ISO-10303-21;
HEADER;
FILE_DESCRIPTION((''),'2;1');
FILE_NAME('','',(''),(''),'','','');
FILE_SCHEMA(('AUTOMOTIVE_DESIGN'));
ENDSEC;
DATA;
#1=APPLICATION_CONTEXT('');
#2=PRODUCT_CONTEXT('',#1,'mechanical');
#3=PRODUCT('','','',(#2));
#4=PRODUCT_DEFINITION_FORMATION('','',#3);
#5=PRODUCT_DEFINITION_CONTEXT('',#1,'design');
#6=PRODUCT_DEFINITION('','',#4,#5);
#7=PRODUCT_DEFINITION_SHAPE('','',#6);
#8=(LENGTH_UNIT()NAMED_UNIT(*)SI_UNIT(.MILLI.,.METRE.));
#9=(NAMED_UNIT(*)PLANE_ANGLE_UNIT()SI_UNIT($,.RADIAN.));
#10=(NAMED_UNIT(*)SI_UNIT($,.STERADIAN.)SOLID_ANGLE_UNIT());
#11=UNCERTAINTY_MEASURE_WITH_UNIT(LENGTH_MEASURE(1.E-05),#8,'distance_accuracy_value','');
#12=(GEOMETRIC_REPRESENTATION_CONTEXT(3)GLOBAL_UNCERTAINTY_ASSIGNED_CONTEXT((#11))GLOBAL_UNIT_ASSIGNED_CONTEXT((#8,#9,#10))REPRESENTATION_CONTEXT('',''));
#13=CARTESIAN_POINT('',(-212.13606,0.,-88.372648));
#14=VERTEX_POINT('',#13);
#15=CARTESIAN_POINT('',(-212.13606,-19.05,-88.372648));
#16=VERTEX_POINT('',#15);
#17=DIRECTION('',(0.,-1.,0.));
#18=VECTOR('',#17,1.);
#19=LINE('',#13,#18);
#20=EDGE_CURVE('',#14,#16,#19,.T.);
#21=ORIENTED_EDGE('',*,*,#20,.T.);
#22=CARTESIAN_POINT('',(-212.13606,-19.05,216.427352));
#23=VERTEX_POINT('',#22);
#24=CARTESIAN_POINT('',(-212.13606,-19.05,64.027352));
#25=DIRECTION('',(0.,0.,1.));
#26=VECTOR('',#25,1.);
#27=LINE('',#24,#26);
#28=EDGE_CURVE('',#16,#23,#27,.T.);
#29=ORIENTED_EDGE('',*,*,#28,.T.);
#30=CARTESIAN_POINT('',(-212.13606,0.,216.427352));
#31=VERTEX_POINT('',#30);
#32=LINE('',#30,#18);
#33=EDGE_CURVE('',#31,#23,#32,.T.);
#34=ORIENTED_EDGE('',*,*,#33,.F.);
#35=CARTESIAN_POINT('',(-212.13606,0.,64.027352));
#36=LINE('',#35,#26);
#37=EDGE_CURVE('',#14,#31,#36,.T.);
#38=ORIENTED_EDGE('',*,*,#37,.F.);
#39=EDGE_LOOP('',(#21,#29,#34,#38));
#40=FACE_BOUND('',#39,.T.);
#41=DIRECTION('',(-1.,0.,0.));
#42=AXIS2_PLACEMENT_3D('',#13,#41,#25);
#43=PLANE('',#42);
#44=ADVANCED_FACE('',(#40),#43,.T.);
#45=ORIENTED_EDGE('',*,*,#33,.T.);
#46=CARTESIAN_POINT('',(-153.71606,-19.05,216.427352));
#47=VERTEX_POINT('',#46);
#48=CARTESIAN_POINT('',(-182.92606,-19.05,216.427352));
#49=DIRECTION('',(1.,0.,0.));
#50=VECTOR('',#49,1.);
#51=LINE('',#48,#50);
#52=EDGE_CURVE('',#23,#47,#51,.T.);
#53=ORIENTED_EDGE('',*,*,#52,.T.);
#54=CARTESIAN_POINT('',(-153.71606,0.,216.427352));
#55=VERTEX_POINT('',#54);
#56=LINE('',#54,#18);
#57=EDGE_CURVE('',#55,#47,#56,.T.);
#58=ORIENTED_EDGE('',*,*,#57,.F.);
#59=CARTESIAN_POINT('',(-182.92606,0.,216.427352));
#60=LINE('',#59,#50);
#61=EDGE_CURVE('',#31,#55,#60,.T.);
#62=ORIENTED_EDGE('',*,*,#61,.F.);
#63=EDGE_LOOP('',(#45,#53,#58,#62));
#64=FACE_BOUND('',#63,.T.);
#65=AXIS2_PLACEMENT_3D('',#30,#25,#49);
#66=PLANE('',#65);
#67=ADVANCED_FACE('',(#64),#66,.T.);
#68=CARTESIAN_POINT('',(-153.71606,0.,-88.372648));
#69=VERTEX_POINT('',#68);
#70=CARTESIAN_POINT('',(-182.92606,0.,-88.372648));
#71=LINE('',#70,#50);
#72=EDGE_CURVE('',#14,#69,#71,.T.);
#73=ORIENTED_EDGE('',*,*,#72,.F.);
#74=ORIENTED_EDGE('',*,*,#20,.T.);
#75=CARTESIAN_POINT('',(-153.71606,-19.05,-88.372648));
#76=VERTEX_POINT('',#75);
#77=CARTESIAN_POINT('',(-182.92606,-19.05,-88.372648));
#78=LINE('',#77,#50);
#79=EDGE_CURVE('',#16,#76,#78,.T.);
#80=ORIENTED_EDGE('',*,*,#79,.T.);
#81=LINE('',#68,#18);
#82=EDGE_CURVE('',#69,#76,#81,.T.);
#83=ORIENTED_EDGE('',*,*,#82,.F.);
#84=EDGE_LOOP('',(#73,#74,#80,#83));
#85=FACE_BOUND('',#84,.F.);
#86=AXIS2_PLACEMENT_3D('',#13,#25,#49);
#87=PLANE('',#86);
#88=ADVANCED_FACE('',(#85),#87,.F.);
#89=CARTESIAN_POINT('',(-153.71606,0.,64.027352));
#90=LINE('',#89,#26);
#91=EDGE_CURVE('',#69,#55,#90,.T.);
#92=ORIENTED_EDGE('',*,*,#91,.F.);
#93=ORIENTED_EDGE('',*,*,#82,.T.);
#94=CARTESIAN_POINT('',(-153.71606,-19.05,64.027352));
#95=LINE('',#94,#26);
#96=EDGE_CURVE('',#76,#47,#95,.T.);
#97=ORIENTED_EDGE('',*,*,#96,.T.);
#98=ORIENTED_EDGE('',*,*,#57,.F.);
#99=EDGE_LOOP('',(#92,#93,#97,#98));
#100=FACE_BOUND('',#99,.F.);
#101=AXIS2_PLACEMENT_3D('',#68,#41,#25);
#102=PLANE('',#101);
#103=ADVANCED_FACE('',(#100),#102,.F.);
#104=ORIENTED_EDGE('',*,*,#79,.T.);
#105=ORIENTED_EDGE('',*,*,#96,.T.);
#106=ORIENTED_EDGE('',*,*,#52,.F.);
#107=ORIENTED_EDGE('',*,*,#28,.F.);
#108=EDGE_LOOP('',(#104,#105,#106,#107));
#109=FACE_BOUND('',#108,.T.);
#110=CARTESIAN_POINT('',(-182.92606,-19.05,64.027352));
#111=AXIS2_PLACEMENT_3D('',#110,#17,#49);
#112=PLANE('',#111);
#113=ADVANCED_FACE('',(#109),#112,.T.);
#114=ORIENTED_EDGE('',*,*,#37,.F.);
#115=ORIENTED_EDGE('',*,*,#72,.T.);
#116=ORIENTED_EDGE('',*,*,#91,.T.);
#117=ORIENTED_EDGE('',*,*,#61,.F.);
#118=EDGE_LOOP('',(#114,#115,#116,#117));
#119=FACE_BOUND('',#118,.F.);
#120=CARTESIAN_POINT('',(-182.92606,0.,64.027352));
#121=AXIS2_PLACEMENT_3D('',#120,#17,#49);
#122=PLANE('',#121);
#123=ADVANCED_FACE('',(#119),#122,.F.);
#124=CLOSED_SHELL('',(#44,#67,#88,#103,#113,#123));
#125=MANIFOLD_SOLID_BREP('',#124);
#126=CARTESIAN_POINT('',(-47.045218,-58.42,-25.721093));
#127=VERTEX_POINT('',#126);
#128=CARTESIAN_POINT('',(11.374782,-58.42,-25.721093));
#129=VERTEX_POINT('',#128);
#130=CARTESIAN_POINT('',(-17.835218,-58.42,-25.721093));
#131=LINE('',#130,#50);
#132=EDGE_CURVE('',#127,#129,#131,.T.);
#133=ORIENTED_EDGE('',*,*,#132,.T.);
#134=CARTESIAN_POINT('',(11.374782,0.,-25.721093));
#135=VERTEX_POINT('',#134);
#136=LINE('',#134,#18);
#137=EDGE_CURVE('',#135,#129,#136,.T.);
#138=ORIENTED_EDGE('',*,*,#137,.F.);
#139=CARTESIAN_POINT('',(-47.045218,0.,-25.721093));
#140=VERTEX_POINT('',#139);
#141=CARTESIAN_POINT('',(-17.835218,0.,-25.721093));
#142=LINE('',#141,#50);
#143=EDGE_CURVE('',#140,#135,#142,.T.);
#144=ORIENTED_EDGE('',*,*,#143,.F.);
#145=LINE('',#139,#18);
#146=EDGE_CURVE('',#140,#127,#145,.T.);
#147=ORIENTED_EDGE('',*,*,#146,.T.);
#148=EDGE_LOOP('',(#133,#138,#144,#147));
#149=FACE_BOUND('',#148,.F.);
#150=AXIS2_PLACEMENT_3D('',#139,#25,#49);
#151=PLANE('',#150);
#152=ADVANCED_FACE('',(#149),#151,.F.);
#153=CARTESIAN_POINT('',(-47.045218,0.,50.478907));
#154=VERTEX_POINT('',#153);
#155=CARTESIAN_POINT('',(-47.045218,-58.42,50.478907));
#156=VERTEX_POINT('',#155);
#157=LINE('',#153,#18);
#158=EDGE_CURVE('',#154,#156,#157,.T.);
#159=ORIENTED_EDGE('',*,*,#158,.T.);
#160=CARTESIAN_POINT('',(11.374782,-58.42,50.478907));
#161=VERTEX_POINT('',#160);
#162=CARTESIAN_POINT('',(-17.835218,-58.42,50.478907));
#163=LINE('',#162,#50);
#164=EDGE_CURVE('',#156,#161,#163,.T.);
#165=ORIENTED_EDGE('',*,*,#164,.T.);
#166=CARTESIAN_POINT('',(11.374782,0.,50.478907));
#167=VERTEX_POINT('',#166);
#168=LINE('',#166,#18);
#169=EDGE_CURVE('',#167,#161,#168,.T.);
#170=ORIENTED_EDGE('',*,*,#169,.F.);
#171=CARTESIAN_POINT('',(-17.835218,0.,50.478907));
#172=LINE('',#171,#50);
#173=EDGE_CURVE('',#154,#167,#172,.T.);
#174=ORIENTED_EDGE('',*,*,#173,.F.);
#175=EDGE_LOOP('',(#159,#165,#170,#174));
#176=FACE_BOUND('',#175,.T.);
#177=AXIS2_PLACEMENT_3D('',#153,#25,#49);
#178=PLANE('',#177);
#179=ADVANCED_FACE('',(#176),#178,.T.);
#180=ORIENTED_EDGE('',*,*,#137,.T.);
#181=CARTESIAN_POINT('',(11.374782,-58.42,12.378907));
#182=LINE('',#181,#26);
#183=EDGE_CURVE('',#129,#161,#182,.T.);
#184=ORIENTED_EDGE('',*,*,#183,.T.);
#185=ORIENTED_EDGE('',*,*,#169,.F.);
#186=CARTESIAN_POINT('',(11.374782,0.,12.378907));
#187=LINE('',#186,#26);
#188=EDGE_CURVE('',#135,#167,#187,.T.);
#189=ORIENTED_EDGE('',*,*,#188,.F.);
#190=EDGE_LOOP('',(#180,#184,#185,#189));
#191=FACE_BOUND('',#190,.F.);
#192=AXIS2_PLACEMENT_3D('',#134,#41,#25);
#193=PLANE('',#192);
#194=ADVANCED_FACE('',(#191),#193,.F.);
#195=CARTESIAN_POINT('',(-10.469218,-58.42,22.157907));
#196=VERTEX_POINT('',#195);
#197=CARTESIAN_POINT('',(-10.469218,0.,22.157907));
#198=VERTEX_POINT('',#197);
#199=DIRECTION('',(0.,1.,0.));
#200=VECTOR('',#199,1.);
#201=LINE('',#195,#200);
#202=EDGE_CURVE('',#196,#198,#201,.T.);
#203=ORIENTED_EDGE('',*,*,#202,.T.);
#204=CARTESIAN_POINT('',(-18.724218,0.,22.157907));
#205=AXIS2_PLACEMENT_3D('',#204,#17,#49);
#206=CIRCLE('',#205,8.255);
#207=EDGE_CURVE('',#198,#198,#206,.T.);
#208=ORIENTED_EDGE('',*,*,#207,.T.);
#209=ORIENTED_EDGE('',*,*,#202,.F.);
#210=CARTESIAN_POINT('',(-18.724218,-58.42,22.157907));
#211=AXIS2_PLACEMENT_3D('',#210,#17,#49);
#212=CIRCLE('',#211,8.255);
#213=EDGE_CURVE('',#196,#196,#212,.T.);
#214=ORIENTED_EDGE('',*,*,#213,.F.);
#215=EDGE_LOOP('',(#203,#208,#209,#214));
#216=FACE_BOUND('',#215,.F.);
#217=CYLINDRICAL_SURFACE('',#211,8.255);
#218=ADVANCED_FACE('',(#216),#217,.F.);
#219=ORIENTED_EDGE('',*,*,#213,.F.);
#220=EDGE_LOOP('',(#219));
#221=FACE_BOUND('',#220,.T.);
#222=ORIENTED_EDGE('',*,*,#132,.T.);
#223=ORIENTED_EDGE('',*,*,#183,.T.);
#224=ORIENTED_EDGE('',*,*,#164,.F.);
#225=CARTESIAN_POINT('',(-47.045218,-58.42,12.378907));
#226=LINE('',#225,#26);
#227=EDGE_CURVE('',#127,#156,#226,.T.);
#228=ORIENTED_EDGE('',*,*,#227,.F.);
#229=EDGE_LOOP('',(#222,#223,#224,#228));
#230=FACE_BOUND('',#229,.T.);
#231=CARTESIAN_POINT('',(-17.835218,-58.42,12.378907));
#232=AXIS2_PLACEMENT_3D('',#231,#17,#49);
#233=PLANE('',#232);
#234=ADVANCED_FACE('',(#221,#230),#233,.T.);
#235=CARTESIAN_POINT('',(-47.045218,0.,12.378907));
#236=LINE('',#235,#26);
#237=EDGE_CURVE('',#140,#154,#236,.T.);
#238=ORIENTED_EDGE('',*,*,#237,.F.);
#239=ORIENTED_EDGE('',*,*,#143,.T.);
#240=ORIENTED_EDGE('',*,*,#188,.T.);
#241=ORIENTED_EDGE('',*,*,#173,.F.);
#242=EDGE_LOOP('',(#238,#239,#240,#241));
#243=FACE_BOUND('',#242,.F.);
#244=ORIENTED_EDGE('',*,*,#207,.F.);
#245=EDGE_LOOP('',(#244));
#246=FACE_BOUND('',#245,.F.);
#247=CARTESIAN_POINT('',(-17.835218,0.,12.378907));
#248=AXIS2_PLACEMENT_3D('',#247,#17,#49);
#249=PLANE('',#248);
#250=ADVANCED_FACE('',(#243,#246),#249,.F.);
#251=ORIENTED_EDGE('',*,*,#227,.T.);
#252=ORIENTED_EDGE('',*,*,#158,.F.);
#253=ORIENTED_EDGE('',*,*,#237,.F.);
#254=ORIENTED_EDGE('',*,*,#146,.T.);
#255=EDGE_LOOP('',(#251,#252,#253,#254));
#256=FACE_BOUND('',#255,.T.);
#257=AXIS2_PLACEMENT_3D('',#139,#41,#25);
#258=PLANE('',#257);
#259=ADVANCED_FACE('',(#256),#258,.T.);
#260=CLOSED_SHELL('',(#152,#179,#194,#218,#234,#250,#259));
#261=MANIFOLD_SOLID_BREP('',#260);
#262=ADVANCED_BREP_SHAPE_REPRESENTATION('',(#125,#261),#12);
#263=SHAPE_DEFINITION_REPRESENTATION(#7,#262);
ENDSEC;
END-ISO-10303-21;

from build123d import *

# Parameters (mm, degrees)
F0_W     = 58.42
F0_H     = 76.2
F1_DEPTH = 58.42
F2_R     = 8.255
F3_DEPTH = 58.421
F0_H_2   = 304.8
F4_DEPTH = 19.05


with BuildPart() as f1:
    # F0 (on Front) → F1 (new body)
    with BuildSketch(Plane.XZ):
        with Locations((-17.835218, 12.378907)):
            Rectangle(F0_W, F0_H)
    extrude(amount=F1_DEPTH)

    # F2 (on face) → F3 (cut, through all)
    with BuildSketch(Plane.XZ.offset(58.42)):
        with Locations((-18.724218, 22.157907)):
            Circle(F2_R)
    extrude(amount=-F3_DEPTH, mode=Mode.SUBTRACT)


with BuildPart() as f4:
    # F0 (on Front) → F4 (new body)
    with BuildSketch(Plane.XZ):
        with Locations((-182.92606, 64.027352)):
            Rectangle(F0_W, F0_H_2)
    extrude(amount=F4_DEPTH)


solid = Compound([f1.part, f4.part])
